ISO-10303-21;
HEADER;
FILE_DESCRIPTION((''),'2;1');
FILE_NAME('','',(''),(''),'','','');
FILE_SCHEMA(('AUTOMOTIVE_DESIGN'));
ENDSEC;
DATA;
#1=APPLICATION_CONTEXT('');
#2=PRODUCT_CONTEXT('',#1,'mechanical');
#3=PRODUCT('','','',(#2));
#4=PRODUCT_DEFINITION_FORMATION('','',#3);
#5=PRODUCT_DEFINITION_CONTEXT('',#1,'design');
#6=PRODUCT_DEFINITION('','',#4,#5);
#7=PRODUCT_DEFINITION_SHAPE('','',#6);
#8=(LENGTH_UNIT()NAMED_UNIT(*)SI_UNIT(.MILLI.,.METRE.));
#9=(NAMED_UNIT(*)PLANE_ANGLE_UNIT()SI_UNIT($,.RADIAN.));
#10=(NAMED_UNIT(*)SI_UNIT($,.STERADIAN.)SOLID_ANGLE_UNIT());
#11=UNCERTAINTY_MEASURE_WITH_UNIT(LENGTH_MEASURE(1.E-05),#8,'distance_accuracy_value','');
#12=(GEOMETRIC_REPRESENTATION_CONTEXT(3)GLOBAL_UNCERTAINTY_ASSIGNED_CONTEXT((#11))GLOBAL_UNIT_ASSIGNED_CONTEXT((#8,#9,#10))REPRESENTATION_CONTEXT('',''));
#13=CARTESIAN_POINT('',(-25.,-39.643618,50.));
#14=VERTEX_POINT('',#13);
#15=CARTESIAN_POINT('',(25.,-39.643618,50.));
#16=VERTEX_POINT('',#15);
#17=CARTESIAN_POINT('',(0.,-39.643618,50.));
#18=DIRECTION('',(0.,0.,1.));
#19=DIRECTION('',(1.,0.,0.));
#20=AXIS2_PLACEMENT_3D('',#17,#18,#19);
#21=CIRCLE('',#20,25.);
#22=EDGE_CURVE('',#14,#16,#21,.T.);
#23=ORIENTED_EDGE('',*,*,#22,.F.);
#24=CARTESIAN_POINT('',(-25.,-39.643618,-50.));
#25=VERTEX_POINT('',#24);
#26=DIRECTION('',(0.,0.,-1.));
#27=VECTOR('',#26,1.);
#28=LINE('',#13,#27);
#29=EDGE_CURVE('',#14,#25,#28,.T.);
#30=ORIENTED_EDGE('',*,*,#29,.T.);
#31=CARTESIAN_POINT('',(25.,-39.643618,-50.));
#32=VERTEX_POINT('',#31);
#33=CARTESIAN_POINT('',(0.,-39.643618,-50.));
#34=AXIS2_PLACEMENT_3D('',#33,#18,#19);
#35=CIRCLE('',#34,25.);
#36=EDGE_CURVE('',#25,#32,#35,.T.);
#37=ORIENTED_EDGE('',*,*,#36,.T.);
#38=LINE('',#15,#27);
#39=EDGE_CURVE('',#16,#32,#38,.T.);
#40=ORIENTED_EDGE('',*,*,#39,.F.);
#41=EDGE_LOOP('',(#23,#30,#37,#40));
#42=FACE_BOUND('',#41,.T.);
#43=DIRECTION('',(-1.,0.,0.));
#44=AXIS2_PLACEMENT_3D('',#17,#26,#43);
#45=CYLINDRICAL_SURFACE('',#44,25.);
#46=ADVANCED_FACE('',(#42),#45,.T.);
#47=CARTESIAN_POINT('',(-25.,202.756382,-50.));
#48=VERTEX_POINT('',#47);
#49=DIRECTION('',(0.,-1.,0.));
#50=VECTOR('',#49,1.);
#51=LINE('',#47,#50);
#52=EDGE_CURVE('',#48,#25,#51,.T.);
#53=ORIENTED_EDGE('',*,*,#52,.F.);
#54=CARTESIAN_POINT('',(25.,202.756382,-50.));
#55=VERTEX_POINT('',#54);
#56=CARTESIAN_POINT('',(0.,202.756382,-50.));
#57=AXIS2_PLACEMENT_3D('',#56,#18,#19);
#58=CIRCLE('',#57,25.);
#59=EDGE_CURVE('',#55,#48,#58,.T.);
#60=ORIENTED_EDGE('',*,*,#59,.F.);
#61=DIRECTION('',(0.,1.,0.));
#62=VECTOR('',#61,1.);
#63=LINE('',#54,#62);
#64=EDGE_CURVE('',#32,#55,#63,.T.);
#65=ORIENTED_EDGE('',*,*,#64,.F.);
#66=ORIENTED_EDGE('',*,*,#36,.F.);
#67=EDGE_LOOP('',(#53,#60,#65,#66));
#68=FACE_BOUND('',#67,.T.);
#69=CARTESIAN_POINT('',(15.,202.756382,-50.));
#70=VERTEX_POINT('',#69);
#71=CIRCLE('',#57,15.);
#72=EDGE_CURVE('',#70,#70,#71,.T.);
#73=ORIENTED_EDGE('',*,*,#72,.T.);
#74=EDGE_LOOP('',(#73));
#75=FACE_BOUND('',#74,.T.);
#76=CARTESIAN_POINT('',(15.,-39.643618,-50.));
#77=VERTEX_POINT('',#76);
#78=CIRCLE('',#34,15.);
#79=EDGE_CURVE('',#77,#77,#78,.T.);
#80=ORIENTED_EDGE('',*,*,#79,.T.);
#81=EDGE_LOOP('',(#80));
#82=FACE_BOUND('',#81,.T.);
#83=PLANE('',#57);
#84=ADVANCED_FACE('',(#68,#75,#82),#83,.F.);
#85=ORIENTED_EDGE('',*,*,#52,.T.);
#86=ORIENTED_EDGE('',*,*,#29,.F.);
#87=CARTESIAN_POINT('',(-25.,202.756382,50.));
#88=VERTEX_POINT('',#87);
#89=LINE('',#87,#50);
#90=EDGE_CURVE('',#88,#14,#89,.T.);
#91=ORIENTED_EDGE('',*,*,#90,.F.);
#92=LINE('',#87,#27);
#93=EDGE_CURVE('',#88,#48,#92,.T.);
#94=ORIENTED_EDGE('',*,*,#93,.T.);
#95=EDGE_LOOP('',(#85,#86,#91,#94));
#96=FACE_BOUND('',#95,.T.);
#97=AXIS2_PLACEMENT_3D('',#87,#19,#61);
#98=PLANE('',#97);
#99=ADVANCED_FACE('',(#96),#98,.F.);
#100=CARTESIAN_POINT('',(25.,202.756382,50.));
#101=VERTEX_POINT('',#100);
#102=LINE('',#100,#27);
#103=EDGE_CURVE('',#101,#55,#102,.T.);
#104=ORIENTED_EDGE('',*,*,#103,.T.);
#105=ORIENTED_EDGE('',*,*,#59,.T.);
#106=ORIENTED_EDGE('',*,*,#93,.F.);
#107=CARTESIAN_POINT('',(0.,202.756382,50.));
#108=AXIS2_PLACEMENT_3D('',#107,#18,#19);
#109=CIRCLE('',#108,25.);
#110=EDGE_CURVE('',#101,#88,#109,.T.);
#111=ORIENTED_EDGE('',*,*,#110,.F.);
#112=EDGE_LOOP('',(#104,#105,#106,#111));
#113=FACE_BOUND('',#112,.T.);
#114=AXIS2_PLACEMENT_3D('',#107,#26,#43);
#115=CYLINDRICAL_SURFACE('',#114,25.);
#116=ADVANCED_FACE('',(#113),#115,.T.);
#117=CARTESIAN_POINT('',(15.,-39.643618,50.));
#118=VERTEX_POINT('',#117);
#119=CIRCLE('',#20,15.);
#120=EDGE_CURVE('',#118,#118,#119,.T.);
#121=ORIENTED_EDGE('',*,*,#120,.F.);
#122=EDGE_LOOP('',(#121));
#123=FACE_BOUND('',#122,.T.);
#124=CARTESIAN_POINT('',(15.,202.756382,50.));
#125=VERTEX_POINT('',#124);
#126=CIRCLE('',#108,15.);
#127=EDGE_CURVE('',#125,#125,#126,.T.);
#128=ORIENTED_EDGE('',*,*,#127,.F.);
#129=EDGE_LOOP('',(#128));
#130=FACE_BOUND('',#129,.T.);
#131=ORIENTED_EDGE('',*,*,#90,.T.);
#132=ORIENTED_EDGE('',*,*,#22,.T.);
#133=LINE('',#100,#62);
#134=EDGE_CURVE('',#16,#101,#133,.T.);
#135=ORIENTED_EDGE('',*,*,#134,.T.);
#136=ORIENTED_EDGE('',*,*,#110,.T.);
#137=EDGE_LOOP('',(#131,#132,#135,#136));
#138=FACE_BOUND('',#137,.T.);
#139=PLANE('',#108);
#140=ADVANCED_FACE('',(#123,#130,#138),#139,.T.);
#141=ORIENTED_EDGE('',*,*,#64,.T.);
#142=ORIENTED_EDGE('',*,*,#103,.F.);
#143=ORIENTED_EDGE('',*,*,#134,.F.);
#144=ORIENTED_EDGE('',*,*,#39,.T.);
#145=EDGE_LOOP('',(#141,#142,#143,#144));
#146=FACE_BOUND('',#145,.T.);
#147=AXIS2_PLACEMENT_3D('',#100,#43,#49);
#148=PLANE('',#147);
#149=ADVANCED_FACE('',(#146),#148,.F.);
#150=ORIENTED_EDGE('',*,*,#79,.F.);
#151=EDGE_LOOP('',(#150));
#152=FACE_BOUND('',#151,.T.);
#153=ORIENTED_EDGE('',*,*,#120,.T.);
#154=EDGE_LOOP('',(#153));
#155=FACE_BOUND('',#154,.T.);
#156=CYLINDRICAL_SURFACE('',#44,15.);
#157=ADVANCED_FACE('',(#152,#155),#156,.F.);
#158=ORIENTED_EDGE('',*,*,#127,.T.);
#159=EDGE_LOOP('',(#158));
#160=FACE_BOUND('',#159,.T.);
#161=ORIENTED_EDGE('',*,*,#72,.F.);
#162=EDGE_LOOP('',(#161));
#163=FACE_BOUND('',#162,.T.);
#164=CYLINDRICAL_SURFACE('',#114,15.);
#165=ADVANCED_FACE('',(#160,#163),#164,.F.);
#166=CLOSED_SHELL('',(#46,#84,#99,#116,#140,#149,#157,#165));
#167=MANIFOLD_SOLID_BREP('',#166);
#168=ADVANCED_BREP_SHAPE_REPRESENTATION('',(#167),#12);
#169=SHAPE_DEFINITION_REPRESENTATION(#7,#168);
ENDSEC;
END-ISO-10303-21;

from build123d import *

# Parameters (mm, degrees)
SCHIZZO2_R                   = 15
ESTRUSIONE_ESTRUSIONE1_DEPTH = 50


with BuildPart() as part:
    # Schizzo2 → Estrusione-Estrusione1 (new, symmetric)
    with BuildSketch(Plane.XY):
        with BuildLine():
            Line((25, 202.756382451), (25, -39.643617549))
            ThreePointArc((25, -39.643617549), (0, -64.643617549), (-25, -39.643617549))
            Line((-25, -39.643617549), (-25, 202.756382451))
            ThreePointArc((-25, 202.756382451), (0, 227.756382451), (25, 202.756382451))
        make_face()
        with Locations((0, 202.756382451)):
            Circle(SCHIZZO2_R, mode=Mode.SUBTRACT)
        with Locations((0, -39.643617549)):
            Circle(SCHIZZO2_R, mode=Mode.SUBTRACT)
    extrude(amount=ESTRUSIONE_ESTRUSIONE1_DEPTH, both=True)


solid = part.part
